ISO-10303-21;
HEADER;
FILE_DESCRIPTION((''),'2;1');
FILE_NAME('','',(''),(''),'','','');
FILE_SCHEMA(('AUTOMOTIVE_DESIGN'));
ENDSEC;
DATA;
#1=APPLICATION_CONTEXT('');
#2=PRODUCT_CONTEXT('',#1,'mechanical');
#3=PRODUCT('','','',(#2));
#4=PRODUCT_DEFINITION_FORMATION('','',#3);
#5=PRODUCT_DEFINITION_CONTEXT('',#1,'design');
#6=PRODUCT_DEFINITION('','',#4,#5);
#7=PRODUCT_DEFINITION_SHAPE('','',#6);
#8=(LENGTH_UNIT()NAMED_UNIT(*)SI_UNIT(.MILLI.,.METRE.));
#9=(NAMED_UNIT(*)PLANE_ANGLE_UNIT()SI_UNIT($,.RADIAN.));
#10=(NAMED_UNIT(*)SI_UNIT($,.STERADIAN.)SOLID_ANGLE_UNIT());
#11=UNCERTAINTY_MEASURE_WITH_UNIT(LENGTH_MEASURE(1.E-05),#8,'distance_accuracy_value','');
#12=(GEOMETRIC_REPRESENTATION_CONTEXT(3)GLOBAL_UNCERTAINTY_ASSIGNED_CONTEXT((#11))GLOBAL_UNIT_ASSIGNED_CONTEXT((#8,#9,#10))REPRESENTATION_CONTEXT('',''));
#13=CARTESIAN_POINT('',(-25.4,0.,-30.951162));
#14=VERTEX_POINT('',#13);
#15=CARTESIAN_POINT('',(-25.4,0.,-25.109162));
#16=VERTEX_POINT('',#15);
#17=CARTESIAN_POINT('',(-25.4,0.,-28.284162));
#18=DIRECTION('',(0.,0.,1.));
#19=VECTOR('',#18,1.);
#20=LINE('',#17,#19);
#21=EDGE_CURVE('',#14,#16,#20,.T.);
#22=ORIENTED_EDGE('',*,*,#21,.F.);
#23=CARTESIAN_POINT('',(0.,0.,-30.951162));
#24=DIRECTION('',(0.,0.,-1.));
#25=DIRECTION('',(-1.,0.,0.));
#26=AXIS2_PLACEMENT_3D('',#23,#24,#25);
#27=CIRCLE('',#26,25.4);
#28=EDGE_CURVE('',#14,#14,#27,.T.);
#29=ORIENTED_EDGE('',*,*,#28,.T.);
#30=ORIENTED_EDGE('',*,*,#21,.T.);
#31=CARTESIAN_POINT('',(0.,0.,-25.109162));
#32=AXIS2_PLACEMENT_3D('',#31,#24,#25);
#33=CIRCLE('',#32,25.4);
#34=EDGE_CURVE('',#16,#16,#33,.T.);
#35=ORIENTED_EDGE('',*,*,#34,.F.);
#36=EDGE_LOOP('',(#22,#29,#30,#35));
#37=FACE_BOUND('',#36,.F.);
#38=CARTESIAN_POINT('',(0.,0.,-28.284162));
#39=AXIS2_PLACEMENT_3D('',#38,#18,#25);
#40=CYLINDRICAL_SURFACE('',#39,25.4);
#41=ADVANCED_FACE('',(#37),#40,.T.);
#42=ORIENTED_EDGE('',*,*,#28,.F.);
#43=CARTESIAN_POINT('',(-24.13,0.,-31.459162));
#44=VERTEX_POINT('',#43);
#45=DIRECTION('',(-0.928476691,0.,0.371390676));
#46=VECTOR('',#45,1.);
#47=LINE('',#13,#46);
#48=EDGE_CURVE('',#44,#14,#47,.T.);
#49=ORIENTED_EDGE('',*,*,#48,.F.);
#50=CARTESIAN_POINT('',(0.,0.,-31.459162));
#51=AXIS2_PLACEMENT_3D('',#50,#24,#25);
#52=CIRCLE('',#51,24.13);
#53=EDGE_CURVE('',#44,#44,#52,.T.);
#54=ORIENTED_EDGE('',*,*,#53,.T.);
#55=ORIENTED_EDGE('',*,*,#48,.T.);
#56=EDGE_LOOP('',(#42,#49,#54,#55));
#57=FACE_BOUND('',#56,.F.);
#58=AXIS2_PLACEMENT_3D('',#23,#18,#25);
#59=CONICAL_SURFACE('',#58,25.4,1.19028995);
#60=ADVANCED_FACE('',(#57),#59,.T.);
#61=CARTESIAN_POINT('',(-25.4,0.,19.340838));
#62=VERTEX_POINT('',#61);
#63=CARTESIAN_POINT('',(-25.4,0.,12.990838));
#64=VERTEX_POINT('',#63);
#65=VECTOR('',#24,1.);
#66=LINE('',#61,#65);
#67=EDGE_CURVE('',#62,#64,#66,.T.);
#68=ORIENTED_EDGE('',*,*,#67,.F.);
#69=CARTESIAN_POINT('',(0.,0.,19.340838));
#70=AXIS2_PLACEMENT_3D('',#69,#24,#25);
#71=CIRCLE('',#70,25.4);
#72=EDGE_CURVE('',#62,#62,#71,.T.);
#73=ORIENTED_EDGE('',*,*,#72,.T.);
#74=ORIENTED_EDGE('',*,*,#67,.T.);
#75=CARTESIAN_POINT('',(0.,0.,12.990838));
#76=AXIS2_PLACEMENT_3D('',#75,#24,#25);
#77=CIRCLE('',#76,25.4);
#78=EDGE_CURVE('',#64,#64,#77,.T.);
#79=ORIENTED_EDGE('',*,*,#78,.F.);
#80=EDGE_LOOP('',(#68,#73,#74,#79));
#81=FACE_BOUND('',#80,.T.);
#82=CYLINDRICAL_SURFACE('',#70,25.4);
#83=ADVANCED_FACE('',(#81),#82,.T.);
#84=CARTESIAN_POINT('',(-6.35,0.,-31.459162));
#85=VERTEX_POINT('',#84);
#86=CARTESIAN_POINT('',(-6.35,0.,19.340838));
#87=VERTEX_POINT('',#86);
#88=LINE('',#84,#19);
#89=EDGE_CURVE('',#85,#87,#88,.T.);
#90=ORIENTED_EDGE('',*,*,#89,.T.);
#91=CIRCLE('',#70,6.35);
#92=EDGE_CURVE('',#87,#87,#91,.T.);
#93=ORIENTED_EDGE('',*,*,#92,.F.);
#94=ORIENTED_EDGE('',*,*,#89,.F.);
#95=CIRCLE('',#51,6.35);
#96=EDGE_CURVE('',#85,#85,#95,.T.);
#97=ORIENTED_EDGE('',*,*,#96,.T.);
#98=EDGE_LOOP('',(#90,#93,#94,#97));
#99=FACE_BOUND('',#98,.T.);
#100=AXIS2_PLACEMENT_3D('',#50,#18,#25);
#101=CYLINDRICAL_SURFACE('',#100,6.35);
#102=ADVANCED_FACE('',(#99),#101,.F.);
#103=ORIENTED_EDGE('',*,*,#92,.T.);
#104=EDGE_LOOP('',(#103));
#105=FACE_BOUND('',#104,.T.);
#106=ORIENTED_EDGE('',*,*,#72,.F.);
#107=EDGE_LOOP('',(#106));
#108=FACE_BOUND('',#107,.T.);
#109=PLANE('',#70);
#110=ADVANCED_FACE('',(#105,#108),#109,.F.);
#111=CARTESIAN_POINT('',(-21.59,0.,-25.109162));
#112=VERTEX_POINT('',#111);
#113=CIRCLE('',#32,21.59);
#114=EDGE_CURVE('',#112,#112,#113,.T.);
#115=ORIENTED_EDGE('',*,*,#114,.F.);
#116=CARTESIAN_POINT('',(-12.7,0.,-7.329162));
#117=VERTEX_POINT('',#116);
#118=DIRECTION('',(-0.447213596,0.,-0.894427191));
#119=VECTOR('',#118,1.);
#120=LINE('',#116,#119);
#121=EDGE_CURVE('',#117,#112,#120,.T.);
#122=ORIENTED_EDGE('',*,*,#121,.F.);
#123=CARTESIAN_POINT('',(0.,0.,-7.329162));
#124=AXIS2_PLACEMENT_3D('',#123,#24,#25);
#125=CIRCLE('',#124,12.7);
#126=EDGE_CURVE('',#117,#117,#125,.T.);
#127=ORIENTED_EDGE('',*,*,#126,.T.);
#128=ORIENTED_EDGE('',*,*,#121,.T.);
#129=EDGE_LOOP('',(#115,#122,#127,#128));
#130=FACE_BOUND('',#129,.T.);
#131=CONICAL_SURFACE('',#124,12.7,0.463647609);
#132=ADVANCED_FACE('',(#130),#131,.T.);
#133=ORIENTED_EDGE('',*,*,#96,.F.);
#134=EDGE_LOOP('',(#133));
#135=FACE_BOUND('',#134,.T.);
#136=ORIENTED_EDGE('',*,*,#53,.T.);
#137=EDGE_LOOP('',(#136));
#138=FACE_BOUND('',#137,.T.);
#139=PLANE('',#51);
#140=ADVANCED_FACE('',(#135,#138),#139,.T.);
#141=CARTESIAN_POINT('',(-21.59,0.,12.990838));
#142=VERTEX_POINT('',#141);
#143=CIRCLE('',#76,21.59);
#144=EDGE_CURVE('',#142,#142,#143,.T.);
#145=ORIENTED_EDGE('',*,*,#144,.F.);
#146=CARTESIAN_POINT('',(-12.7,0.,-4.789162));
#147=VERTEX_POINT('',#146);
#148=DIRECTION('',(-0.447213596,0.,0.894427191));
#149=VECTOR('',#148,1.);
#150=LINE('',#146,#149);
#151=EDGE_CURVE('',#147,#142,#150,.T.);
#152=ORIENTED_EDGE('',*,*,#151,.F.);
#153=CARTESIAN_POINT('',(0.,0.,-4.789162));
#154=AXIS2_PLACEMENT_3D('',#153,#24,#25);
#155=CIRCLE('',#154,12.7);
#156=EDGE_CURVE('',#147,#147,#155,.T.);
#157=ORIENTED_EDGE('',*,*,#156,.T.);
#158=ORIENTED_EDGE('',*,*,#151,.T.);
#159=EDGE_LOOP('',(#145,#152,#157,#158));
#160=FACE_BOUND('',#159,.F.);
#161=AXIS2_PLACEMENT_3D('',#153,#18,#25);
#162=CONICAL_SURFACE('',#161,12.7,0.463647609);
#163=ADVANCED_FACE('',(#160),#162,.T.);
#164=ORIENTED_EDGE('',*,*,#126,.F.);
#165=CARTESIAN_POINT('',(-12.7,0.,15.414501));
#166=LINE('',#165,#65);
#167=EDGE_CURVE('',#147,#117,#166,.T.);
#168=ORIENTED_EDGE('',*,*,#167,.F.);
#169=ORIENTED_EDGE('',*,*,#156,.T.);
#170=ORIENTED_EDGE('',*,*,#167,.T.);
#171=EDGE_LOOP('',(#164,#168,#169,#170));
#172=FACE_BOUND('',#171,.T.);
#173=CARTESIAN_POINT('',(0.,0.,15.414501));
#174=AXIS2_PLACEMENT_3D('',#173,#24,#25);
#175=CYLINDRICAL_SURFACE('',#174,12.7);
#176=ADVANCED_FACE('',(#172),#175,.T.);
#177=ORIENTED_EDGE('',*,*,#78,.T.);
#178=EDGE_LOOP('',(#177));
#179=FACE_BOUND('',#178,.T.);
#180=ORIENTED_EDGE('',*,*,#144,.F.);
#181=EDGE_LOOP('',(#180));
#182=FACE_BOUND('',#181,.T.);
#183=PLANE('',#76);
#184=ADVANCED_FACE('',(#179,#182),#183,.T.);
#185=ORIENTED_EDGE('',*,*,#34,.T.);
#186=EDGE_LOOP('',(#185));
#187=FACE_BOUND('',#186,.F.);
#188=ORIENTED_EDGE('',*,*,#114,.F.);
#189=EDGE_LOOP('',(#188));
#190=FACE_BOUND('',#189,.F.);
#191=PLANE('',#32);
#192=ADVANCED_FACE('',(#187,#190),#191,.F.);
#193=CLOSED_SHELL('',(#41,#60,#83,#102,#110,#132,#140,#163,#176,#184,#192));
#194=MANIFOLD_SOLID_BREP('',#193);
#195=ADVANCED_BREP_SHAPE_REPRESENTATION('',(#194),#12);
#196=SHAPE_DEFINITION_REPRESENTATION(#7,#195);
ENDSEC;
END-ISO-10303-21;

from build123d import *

# Parameters (mm, degrees)
F0_W     = 12.7
F0_H     = 6.35
F0_W_2   = 6.35
F0_H_2   = 38.1
F0_H_3   = 2.4236633693
F2_SIZE2 = 8.89
F2_SIZE  = 17.78
F3_SIZE2 = 0.508
F3_SIZE  = 1.27


with BuildPart() as f1:
    # F0 (on Front) → F1 (revolve)
    with BuildSketch(Plane.XZ):
        with Locations((-19.05, -28.2841619736)):
            Rectangle(F0_W, F0_H)
        with Locations((-9.525, -6.0591619736)):
            Rectangle(F0_W_2, F0_H_2)
        with Locations((-9.525, -28.2841619736)):
            Rectangle(F0_W_2, F0_H)
        with Locations((-9.525, 14.2026697111)):
            Rectangle(F0_W_2, F0_H_3)
        with Locations((-19.05, 14.2026697111)):
            Rectangle(F0_W, F0_H_3)
        Polygon((-25.4, 15.4145013957), (-12.7, 15.4145013957), (-6.35, 15.4145013957), (-6.35, 19.3408380264), (-25.4, 19.3408380264), align=None)
    revolve(axis=Axis((0, 0, 6.5382700413), (0, 0, -1)))

    # F2
    f2_edges = [f1.edges().sort_by_distance(p)[0] for p in [
        (12.7, 0, 12.990838),
        (12.7, 0, -25.109162),
    ]]
    f2_side = f1.faces().sort_by_distance((12.7, 0, -6.059162))[0]
    chamfer(f2_edges, length=F2_SIZE, length2=F2_SIZE2, reference=f2_side)

    # F3
    f3_edges = [f1.edges().sort_by_distance(p)[0] for p in [
        (25.4, 0, -31.459162),
    ]]
    f3_side = f1.faces().sort_by_distance((24.68158, 0, -31.459162))[0]
    chamfer(f3_edges, length=F3_SIZE, length2=F3_SIZE2, reference=f3_side)


solid = f1.part
